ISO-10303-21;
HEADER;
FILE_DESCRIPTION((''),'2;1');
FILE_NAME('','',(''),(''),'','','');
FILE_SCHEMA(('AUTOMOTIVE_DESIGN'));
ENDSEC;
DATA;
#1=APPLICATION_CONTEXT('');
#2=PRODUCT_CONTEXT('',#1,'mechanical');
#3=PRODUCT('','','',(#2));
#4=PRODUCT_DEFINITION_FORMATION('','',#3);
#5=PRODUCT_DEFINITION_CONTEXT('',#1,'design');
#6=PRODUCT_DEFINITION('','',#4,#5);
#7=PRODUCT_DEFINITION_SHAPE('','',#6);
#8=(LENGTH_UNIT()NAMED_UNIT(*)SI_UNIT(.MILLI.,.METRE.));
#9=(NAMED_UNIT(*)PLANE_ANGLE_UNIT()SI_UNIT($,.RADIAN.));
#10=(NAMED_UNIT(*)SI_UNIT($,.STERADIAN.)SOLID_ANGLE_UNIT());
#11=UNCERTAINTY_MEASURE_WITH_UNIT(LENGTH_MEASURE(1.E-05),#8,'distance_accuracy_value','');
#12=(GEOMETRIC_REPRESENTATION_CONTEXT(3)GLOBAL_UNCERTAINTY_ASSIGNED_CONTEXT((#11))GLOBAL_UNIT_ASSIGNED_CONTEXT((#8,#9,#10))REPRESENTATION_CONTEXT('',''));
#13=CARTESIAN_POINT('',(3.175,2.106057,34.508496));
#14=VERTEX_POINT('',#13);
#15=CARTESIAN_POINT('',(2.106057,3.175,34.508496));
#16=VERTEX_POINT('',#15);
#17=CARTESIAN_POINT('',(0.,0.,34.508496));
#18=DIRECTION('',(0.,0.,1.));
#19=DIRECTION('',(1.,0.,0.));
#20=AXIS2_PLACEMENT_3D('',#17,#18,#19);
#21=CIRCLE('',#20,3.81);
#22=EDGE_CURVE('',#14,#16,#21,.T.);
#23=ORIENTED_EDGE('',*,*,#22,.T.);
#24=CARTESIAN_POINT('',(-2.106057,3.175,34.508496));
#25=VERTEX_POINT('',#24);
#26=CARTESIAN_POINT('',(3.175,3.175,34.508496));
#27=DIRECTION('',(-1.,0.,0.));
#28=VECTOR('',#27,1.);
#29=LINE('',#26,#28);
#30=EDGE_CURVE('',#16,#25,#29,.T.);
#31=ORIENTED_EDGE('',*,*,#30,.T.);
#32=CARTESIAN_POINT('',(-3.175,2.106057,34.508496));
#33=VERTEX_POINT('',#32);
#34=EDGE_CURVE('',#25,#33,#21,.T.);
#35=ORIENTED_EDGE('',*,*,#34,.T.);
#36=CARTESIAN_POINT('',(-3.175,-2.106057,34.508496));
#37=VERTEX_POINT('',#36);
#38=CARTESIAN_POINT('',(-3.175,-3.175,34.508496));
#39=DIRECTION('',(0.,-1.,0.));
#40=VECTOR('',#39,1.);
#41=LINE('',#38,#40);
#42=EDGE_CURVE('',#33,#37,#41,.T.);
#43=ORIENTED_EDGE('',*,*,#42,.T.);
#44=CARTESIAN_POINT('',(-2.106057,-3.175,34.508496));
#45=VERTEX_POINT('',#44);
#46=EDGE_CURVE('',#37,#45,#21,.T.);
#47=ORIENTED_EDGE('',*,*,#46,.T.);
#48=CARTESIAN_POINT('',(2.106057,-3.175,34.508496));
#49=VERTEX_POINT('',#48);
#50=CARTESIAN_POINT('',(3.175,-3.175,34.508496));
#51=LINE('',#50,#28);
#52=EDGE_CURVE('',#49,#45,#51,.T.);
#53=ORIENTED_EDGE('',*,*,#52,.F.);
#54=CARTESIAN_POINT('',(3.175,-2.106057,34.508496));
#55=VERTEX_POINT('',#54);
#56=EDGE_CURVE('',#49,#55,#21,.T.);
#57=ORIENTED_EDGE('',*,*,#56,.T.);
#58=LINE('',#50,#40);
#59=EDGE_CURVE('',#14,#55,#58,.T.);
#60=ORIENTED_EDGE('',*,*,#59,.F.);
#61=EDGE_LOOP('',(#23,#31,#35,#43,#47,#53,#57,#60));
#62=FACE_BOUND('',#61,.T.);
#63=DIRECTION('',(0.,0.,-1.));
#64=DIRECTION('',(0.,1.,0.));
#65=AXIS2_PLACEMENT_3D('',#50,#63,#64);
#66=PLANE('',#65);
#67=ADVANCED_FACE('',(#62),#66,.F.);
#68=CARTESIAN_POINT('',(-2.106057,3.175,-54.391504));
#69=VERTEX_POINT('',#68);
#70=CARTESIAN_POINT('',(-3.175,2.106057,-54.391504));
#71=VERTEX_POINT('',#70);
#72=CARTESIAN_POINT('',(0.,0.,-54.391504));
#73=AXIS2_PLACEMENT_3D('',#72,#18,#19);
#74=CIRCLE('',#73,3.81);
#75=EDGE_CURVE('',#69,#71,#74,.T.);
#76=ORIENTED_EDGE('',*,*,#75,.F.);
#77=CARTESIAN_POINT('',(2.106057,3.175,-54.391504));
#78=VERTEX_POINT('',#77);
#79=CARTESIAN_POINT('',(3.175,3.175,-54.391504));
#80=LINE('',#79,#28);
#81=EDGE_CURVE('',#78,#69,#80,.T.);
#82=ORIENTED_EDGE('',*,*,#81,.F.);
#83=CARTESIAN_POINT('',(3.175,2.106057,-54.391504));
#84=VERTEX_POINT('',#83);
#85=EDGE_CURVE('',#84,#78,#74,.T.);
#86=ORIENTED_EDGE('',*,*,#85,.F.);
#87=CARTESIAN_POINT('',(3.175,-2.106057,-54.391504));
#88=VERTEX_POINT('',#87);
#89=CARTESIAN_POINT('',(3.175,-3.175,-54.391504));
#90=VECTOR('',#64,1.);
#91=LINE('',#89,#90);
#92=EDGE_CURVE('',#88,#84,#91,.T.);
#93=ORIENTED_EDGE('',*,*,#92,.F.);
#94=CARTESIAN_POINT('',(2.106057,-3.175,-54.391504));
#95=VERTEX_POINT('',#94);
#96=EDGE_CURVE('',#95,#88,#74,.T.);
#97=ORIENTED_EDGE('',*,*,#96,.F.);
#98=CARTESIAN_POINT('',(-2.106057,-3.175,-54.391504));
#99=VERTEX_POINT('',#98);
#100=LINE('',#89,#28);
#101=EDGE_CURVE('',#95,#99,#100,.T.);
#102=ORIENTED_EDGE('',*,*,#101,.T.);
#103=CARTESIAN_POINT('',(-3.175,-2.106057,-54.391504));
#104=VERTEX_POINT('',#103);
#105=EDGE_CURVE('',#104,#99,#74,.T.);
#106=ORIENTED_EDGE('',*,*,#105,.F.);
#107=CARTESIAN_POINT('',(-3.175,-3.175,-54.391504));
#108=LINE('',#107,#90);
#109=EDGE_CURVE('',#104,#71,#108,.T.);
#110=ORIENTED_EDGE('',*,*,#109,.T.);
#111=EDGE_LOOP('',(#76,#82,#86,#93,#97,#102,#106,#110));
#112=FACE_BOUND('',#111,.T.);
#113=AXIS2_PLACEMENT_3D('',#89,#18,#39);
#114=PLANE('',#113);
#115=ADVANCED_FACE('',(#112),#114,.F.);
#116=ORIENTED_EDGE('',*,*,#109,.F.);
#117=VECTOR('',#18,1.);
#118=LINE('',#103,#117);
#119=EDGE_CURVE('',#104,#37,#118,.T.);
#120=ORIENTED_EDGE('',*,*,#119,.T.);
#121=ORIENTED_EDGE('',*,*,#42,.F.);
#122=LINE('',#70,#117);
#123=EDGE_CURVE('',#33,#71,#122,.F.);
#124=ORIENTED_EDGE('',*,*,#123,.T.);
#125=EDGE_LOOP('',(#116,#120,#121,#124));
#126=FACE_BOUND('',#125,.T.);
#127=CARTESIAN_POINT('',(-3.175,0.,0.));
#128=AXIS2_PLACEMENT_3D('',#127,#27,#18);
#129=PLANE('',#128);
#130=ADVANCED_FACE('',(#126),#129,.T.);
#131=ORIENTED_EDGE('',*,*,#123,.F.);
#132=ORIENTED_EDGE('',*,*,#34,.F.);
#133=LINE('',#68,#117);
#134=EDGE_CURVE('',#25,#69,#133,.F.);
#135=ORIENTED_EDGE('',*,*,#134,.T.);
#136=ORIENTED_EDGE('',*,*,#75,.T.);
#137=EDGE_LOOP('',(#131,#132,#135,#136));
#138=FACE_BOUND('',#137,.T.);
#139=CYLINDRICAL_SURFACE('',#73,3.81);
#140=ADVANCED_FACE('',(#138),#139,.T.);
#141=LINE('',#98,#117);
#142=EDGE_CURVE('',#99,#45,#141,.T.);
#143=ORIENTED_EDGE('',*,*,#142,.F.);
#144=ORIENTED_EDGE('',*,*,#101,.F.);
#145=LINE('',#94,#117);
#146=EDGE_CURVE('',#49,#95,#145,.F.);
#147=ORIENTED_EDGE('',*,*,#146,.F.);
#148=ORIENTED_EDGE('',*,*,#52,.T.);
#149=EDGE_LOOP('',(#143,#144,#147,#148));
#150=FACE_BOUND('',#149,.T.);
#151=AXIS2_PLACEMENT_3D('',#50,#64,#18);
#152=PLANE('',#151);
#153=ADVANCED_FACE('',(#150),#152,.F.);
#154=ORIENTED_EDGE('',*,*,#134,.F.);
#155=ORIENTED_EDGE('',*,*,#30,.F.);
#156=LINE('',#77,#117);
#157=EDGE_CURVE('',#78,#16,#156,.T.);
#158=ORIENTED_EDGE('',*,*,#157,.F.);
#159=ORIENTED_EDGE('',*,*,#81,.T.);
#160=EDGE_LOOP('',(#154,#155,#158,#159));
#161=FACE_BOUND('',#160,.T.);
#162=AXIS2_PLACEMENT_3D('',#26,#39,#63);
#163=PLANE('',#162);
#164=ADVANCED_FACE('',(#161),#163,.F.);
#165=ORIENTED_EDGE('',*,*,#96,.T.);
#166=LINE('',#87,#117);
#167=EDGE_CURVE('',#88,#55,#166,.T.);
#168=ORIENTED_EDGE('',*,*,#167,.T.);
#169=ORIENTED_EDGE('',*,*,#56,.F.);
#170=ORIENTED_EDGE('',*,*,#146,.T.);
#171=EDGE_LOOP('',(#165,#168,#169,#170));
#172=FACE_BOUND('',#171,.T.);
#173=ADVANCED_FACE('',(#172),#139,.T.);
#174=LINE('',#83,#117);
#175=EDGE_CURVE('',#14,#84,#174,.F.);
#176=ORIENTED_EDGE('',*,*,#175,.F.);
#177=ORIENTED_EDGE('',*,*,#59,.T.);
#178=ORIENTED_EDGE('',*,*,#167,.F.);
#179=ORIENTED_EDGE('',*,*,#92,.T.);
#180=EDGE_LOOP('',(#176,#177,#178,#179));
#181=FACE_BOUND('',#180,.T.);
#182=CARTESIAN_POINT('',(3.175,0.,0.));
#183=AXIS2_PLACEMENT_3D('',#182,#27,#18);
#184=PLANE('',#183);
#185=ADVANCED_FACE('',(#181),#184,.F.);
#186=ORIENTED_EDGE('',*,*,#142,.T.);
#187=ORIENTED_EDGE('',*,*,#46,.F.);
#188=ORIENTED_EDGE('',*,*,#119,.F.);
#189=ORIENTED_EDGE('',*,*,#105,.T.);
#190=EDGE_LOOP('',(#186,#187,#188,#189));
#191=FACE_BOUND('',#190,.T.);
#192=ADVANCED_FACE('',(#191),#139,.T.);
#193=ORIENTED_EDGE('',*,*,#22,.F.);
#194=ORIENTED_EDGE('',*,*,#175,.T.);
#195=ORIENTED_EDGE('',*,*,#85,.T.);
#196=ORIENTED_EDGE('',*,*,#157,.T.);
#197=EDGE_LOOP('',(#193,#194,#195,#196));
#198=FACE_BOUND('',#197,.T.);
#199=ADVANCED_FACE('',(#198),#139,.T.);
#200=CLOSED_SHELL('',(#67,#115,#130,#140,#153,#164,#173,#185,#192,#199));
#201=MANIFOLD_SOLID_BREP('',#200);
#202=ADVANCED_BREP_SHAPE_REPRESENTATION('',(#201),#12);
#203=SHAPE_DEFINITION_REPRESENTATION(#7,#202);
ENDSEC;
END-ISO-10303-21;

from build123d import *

# Parameters (mm, degrees)
SKETCH4_W           = 88.9
SKETCH4_H           = 6.35
BOSS_EXTRUDE1_DEPTH = 3.175
SKETCH6_OUTSIDE_W   = 26.22
SKETCH6_OUTSIDE_H   = 26.22
SKETCH6_OUTSIDE_R   = 3.81
CUT_EXTRUDE3_DEPTH  = 90.013320632


with BuildPart() as part:
    # Sketch4 → Boss-Extrude1 (new, symmetric)
    with BuildSketch(Plane(origin=(0, 0, 0), x_dir=(0, 0, -1), z_dir=(1, 0, 0))):
        with Locations((9.941503671, 0)):
            Rectangle(SKETCH4_W, SKETCH4_H)
    extrude(amount=BOSS_EXTRUDE1_DEPTH, both=True)

    # Sketch6 outside → Cut-Extrude3 (cut, through all)
    with BuildSketch(Plane.XY.offset(34.508496329)):
        Rectangle(SKETCH6_OUTSIDE_W, SKETCH6_OUTSIDE_H)
        Circle(SKETCH6_OUTSIDE_R, mode=Mode.SUBTRACT)
    extrude(amount=-CUT_EXTRUDE3_DEPTH, mode=Mode.SUBTRACT)


solid = part.part
